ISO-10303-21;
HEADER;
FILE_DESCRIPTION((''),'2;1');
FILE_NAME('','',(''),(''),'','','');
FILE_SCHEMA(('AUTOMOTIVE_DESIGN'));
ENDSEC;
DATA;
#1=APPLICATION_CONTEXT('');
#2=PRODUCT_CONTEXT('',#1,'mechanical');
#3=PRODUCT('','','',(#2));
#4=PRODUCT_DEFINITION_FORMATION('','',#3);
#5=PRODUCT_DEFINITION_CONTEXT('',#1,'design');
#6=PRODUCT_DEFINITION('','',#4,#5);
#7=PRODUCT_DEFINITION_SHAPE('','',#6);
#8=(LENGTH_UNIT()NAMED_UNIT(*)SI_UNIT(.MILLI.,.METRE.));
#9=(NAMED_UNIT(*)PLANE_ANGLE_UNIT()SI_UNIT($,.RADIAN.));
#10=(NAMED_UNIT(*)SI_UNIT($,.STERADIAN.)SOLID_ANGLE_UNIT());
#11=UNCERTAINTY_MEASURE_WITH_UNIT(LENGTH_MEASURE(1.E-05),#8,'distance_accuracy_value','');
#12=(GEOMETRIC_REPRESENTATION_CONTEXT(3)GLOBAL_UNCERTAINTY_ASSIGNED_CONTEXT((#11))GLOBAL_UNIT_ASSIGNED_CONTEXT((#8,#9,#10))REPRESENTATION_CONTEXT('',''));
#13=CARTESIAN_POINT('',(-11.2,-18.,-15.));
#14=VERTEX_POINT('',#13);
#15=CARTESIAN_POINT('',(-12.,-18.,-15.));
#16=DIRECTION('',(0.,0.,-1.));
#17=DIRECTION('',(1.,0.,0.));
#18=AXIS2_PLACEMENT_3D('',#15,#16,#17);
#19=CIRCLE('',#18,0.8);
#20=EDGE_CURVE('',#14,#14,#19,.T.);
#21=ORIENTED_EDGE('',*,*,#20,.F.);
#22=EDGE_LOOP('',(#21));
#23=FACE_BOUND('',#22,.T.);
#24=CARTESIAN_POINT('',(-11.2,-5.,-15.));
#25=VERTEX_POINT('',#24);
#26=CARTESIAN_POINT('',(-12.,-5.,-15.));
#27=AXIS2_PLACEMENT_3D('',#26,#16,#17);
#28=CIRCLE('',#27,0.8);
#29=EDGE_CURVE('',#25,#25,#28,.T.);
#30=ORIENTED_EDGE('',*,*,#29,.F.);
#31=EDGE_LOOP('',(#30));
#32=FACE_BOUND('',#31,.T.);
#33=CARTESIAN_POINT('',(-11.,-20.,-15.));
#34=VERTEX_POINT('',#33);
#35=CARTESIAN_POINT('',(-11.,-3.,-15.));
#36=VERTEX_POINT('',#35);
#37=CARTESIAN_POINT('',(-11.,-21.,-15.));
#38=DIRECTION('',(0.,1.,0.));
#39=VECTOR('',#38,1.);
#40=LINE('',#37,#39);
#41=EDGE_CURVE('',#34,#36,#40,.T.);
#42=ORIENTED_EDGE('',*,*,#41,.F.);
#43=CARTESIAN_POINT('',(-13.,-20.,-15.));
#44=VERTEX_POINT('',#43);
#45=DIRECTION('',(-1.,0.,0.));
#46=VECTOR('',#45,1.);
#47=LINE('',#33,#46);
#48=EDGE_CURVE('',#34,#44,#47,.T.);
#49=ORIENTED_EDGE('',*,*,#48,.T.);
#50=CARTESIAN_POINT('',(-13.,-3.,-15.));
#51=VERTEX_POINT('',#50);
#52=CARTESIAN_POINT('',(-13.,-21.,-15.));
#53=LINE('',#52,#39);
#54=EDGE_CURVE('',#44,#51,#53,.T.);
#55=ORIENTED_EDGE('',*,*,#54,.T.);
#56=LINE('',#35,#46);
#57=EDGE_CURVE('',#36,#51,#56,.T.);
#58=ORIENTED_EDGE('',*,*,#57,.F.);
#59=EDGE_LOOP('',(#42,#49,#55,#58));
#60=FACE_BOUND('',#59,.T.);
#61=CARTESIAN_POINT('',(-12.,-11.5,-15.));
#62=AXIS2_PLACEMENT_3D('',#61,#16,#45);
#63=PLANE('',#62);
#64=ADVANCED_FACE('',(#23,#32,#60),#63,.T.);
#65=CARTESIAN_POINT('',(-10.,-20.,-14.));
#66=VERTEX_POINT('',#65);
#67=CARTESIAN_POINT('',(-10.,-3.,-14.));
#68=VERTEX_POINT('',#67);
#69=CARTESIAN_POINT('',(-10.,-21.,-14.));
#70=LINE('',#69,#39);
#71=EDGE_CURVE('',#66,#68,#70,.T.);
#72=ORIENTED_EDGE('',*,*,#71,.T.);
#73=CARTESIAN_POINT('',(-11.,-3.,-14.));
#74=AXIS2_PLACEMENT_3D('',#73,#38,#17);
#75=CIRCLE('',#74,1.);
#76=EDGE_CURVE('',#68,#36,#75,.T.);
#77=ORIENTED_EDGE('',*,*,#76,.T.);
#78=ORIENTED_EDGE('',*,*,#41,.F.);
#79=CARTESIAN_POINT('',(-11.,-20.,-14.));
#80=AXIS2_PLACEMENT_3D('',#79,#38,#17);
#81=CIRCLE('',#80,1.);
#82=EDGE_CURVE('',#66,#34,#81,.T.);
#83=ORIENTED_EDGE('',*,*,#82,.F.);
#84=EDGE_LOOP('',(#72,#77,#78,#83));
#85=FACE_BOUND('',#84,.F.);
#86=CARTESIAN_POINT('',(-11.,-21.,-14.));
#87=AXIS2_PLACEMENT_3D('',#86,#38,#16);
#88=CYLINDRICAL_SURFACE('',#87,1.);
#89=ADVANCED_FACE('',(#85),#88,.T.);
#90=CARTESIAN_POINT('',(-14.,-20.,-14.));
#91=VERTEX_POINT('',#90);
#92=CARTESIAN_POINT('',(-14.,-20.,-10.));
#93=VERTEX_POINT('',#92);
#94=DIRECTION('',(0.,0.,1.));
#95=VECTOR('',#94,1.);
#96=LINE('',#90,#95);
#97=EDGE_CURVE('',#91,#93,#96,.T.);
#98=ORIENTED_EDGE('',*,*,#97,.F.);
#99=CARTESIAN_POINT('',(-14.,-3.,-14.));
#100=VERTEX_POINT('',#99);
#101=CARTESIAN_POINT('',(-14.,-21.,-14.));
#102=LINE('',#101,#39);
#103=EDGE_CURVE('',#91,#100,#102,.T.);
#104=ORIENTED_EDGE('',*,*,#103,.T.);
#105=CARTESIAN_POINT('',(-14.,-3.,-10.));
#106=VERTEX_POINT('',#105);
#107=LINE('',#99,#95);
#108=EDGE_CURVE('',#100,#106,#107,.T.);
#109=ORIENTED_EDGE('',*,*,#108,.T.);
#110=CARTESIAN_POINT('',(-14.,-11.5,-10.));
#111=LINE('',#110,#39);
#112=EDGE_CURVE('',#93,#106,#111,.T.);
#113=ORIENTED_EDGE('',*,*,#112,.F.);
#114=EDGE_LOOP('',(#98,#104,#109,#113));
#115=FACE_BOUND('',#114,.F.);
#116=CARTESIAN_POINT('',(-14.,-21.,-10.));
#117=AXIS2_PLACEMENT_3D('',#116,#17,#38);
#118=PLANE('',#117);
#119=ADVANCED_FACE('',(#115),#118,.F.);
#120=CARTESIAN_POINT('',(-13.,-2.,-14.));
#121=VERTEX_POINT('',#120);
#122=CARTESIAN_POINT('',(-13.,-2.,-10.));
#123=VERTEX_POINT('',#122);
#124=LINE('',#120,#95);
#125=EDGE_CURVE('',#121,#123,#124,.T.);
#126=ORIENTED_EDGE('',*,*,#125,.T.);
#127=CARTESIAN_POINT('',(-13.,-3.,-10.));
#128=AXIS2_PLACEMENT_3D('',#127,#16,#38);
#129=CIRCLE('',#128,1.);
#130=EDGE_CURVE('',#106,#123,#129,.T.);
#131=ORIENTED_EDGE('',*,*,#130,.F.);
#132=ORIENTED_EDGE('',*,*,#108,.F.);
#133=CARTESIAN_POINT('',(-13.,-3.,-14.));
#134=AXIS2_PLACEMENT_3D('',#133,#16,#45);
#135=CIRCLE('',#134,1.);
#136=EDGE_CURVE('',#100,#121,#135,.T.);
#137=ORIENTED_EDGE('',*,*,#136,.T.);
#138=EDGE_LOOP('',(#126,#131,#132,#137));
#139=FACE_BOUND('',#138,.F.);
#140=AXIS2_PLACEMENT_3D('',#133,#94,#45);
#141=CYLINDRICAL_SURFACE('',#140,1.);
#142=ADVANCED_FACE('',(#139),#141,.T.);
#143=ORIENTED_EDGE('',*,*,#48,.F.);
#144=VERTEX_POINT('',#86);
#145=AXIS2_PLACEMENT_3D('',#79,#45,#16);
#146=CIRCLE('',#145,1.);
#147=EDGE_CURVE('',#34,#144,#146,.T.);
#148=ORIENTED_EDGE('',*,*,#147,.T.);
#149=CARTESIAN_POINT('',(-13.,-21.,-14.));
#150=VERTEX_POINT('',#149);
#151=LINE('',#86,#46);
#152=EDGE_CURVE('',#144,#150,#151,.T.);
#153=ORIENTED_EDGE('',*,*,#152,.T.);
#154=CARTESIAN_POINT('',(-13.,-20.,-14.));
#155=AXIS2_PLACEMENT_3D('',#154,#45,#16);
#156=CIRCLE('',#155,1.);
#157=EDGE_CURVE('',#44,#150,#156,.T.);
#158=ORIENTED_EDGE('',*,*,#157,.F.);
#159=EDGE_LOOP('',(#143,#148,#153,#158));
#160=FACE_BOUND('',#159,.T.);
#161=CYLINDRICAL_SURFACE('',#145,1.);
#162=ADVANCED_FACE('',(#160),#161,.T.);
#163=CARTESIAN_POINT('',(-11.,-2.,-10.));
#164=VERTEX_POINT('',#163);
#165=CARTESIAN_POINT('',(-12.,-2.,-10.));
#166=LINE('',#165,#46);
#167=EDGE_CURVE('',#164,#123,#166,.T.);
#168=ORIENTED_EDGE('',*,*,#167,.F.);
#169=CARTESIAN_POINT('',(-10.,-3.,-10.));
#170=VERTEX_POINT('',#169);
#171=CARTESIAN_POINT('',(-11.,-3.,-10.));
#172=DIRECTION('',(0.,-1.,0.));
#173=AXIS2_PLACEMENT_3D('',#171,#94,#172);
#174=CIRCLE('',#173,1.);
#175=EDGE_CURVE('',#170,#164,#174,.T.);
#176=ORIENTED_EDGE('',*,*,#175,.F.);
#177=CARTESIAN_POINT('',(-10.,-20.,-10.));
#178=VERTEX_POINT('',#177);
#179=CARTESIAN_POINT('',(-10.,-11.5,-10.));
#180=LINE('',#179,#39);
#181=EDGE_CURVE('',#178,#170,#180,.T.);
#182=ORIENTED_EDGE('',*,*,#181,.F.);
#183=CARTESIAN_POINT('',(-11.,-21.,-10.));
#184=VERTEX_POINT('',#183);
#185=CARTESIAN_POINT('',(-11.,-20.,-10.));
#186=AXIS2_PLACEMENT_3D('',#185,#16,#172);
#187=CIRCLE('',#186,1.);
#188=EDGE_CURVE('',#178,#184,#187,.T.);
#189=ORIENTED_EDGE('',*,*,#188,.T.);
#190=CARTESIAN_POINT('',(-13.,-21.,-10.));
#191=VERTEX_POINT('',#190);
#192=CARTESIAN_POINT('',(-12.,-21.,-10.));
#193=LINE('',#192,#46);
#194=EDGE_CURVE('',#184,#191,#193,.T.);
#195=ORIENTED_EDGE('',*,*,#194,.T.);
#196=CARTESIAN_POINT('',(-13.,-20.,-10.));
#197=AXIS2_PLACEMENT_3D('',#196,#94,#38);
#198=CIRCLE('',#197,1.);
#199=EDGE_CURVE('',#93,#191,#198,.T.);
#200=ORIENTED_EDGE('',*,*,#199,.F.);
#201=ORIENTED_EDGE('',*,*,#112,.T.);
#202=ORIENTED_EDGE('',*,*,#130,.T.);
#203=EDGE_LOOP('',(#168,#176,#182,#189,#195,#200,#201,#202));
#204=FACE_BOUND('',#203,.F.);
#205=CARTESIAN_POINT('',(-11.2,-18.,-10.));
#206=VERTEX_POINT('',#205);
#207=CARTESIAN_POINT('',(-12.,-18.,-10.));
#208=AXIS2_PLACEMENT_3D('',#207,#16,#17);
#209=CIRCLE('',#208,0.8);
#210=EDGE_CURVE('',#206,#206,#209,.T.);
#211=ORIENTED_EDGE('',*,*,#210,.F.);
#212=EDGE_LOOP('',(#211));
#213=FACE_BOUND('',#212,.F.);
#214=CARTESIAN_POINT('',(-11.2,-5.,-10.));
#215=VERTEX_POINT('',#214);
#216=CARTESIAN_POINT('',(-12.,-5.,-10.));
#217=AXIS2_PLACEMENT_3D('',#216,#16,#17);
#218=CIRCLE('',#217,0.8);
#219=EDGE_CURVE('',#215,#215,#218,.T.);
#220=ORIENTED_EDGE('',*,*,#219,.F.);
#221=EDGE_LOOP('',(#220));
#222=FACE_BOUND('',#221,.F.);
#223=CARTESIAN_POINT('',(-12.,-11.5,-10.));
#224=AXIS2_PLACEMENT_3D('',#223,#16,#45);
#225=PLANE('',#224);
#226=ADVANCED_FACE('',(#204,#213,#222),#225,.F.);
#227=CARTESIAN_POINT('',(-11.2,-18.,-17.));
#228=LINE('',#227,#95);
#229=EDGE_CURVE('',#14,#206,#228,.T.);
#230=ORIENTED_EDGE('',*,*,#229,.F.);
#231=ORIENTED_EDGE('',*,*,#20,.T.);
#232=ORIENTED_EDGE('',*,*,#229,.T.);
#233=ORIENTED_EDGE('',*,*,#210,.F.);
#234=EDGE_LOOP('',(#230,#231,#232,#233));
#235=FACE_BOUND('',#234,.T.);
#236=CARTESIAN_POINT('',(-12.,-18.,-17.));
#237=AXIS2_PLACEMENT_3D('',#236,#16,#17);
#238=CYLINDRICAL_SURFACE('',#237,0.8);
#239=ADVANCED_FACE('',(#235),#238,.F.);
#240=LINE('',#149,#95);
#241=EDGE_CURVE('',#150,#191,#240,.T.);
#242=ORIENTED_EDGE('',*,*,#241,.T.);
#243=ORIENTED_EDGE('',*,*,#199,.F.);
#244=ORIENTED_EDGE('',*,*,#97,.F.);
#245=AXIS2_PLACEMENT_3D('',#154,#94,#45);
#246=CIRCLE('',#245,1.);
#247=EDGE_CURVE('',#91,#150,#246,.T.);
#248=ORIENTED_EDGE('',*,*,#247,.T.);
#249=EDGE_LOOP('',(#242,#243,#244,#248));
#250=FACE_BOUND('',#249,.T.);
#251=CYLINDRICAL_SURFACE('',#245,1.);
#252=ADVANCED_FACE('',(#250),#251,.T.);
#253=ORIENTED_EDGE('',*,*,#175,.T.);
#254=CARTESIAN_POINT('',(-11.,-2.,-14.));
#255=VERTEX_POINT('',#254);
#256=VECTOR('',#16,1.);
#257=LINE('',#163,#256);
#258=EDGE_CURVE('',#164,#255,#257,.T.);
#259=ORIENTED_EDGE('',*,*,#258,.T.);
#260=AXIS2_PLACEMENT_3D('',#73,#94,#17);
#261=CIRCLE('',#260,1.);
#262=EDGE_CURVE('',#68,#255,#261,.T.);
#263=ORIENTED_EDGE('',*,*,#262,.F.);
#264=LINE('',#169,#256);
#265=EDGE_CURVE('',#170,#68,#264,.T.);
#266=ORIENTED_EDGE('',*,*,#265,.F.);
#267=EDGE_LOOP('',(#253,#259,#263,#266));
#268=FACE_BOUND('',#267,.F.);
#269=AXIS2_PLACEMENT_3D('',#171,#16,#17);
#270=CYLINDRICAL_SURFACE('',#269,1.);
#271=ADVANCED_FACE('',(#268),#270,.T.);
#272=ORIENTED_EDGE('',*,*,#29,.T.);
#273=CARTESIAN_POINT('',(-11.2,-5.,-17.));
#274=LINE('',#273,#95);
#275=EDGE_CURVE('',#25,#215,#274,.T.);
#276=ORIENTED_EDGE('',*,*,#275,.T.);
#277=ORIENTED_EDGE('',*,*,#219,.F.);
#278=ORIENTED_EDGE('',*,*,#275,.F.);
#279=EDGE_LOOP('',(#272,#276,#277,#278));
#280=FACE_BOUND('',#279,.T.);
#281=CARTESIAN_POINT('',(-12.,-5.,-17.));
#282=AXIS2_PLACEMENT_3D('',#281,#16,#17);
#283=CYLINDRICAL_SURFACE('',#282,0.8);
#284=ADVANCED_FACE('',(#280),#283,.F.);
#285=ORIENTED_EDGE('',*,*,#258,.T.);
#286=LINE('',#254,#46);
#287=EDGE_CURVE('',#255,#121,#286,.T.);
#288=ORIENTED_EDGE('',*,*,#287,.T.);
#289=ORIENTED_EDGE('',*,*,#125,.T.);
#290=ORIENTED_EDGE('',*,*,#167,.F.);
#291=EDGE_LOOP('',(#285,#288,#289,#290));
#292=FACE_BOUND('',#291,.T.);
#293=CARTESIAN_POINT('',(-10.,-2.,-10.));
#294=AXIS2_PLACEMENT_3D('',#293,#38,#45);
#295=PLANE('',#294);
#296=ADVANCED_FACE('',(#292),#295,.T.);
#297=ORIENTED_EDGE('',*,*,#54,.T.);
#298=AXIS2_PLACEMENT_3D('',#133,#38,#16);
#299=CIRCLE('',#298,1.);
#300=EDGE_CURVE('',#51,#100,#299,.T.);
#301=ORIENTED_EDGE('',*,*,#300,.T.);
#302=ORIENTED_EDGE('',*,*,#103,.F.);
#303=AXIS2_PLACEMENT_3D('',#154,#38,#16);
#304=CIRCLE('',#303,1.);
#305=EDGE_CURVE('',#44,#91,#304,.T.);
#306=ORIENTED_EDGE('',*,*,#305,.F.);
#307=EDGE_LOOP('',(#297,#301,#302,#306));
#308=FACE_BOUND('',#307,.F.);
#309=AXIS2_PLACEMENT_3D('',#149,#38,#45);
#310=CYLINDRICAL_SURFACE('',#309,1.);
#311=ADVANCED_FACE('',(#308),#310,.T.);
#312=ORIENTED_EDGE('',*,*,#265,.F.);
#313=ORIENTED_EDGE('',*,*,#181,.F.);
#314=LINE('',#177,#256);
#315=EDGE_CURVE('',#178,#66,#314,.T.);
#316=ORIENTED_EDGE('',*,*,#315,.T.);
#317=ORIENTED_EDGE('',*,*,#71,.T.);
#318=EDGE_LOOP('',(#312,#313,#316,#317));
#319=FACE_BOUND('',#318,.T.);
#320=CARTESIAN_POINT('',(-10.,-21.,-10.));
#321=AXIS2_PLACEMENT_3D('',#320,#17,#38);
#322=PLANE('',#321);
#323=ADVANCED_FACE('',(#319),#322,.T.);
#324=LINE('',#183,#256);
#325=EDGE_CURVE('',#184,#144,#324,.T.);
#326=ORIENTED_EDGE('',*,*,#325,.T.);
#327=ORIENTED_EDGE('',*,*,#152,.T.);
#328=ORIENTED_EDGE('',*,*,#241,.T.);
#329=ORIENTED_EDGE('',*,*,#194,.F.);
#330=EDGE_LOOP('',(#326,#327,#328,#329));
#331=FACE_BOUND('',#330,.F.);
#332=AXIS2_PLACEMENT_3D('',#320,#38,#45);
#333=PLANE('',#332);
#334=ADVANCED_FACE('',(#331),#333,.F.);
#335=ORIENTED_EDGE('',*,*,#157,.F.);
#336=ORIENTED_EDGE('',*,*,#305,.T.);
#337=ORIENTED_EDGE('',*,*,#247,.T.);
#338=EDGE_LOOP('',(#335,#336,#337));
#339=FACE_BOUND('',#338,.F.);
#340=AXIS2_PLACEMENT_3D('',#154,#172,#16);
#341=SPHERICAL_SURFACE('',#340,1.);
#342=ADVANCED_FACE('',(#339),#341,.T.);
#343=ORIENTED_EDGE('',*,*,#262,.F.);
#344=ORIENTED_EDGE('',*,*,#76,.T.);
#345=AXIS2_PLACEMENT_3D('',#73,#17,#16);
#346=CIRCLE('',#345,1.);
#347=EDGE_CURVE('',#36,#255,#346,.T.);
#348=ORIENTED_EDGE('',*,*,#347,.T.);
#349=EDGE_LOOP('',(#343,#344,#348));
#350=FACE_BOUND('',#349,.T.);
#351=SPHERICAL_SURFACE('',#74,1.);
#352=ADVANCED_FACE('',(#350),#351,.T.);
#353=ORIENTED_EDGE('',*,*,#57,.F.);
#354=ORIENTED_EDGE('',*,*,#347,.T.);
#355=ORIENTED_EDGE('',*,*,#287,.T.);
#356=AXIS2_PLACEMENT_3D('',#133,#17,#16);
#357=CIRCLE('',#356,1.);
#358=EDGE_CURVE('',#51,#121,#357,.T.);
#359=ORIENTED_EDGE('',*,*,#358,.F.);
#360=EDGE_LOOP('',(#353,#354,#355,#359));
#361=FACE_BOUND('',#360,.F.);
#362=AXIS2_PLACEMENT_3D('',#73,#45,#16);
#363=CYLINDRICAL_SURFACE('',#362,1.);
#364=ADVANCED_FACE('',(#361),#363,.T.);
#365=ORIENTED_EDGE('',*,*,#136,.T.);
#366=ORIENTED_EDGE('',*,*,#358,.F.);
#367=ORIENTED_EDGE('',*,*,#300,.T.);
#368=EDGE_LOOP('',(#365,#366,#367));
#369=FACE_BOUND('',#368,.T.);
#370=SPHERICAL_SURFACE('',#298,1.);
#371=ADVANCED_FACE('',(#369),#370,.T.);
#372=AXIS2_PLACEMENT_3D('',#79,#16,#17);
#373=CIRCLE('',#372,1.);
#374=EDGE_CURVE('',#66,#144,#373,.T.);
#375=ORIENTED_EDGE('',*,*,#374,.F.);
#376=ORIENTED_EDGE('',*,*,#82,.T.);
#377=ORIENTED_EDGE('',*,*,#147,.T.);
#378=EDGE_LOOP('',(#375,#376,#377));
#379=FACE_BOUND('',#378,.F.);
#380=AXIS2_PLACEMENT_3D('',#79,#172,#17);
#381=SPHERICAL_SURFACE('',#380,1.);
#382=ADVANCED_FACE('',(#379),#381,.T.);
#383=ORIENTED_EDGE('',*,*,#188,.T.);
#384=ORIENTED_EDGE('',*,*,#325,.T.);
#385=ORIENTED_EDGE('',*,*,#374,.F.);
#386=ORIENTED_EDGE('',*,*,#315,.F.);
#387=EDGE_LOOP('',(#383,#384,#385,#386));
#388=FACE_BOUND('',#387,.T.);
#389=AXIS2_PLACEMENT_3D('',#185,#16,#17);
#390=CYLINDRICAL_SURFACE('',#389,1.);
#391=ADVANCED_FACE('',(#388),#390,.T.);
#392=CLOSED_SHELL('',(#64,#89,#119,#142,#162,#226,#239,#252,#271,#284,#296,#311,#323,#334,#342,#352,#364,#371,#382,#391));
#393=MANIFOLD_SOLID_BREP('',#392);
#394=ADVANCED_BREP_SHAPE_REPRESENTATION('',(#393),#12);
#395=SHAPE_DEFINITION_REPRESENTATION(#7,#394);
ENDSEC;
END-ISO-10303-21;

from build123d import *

# Parameters (mm, degrees)
CYLINDER051_R          = 0.8
CYLINDER051_DEPTH      = 10
CYLINDER050_R          = 0.8
CYLINDER050_DEPTH      = 10
CYLINDER048_R          = 0.75
CYLINDER048_DEPTH      = 10
CYLINDER047_R          = 0.75
CYLINDER047_DEPTH      = 10
BOX020_W               = 4
BOX020_H               = 19
BOX020_DEPTH           = 5
FILLET008_R            = 1
FILLET009_R            = 1
FILLET010_R            = 1
FILLET011_R            = 1
CUT066_PLACEMENT_ANGLE = 180


with BuildPart() as cilindro051:
    # Cylinder051 → Cylinder051 (new body)
    with BuildSketch(Plane(origin=(11, -17, -17), x_dir=(1, 0, 0), z_dir=(0, 0, 1))):
        Circle(CYLINDER051_R)
    extrude(amount=CYLINDER051_DEPTH)


with BuildPart() as cilindro050:
    # Cylinder050 → Cylinder050 (new body)
    with BuildSketch(Plane(origin=(11, -4, -17), x_dir=(1, 0, 0), z_dir=(0, 0, 1))):
        Circle(CYLINDER050_R)
    extrude(amount=CYLINDER050_DEPTH)


with BuildPart() as cilindro048:
    # Cylinder048 → Cylinder048 (new body)
    with BuildSketch(Plane(origin=(-39, 66, 48), x_dir=(1, 0, 0), z_dir=(0, 0, 1))):
        Circle(CYLINDER048_R)
    extrude(amount=CYLINDER048_DEPTH)


with BuildPart() as cilindro047:
    # Cylinder047 → Cylinder047 (new body)
    with BuildSketch(Plane(origin=(-39, 53, 48), x_dir=(1, 0, 0), z_dir=(0, 0, 1))):
        Circle(CYLINDER047_R)
    extrude(amount=CYLINDER047_DEPTH)


with BuildPart() as cut070:
    # Box020 → Box020 (new body)
    with BuildSketch(Plane(origin=(-2, 50, 45), x_dir=(1, 0, 0), z_dir=(0, 0, 1))):
        with Locations((2, 9.5)):
            Rectangle(BOX020_W, BOX020_H)
    extrude(amount=BOX020_DEPTH)

    # Fillet008
    fillet008_edges = [cut070.edges().sort_by_distance(p)[0] for p in [
        (2, 59.5, 50),
    ]]
    fillet(fillet008_edges, radius=FILLET008_R)

    # Fillet009
    fillet009_edges = [cut070.edges().sort_by_distance(p)[0] for p in [
        (-2, 59.5, 50),
    ]]
    fillet(fillet009_edges, radius=FILLET009_R)

    # Fillet010
    fillet010_edges = [cut070.edges().sort_by_distance(p)[0] for p in [
        (0, 69, 50),
    ]]
    fillet(fillet010_edges, radius=FILLET010_R)

    # Fillet011
    fillet011_edges = [cut070.edges().sort_by_distance(p)[0] for p in [
        (0, 50, 50),
    ]]
    fillet(fillet011_edges, radius=FILLET011_R)


with BuildPart() as cut070_1:
    # Fillet011 placement: moved
    add(cut070.part.moved(Location((-39, 0, 0))))

    # Cut065: cut Cilindro047
    add(cilindro047.part, mode=Mode.SUBTRACT)

    # Cut066: cut Cilindro048
    add(cilindro048.part, mode=Mode.SUBTRACT)


with BuildPart() as cut070_2:
    # Cut066 placement: moved
    add(cut070_1.part.moved(Location((-28, -70, 35))).rotate(Axis((-28, -70, 35), (0, 1, 0)), CUT066_PLACEMENT_ANGLE))

    # Cut069: cut Cilindro050
    add(cilindro050.part, mode=Mode.SUBTRACT)

    # Cut070: cut Cilindro051
    add(cilindro051.part, mode=Mode.SUBTRACT)


with BuildPart() as cut070_3:
    # Cut070 placement: moved
    add(cut070_2.part.moved(Location((-23, -1, 0))))


solid = cut070_3.part
